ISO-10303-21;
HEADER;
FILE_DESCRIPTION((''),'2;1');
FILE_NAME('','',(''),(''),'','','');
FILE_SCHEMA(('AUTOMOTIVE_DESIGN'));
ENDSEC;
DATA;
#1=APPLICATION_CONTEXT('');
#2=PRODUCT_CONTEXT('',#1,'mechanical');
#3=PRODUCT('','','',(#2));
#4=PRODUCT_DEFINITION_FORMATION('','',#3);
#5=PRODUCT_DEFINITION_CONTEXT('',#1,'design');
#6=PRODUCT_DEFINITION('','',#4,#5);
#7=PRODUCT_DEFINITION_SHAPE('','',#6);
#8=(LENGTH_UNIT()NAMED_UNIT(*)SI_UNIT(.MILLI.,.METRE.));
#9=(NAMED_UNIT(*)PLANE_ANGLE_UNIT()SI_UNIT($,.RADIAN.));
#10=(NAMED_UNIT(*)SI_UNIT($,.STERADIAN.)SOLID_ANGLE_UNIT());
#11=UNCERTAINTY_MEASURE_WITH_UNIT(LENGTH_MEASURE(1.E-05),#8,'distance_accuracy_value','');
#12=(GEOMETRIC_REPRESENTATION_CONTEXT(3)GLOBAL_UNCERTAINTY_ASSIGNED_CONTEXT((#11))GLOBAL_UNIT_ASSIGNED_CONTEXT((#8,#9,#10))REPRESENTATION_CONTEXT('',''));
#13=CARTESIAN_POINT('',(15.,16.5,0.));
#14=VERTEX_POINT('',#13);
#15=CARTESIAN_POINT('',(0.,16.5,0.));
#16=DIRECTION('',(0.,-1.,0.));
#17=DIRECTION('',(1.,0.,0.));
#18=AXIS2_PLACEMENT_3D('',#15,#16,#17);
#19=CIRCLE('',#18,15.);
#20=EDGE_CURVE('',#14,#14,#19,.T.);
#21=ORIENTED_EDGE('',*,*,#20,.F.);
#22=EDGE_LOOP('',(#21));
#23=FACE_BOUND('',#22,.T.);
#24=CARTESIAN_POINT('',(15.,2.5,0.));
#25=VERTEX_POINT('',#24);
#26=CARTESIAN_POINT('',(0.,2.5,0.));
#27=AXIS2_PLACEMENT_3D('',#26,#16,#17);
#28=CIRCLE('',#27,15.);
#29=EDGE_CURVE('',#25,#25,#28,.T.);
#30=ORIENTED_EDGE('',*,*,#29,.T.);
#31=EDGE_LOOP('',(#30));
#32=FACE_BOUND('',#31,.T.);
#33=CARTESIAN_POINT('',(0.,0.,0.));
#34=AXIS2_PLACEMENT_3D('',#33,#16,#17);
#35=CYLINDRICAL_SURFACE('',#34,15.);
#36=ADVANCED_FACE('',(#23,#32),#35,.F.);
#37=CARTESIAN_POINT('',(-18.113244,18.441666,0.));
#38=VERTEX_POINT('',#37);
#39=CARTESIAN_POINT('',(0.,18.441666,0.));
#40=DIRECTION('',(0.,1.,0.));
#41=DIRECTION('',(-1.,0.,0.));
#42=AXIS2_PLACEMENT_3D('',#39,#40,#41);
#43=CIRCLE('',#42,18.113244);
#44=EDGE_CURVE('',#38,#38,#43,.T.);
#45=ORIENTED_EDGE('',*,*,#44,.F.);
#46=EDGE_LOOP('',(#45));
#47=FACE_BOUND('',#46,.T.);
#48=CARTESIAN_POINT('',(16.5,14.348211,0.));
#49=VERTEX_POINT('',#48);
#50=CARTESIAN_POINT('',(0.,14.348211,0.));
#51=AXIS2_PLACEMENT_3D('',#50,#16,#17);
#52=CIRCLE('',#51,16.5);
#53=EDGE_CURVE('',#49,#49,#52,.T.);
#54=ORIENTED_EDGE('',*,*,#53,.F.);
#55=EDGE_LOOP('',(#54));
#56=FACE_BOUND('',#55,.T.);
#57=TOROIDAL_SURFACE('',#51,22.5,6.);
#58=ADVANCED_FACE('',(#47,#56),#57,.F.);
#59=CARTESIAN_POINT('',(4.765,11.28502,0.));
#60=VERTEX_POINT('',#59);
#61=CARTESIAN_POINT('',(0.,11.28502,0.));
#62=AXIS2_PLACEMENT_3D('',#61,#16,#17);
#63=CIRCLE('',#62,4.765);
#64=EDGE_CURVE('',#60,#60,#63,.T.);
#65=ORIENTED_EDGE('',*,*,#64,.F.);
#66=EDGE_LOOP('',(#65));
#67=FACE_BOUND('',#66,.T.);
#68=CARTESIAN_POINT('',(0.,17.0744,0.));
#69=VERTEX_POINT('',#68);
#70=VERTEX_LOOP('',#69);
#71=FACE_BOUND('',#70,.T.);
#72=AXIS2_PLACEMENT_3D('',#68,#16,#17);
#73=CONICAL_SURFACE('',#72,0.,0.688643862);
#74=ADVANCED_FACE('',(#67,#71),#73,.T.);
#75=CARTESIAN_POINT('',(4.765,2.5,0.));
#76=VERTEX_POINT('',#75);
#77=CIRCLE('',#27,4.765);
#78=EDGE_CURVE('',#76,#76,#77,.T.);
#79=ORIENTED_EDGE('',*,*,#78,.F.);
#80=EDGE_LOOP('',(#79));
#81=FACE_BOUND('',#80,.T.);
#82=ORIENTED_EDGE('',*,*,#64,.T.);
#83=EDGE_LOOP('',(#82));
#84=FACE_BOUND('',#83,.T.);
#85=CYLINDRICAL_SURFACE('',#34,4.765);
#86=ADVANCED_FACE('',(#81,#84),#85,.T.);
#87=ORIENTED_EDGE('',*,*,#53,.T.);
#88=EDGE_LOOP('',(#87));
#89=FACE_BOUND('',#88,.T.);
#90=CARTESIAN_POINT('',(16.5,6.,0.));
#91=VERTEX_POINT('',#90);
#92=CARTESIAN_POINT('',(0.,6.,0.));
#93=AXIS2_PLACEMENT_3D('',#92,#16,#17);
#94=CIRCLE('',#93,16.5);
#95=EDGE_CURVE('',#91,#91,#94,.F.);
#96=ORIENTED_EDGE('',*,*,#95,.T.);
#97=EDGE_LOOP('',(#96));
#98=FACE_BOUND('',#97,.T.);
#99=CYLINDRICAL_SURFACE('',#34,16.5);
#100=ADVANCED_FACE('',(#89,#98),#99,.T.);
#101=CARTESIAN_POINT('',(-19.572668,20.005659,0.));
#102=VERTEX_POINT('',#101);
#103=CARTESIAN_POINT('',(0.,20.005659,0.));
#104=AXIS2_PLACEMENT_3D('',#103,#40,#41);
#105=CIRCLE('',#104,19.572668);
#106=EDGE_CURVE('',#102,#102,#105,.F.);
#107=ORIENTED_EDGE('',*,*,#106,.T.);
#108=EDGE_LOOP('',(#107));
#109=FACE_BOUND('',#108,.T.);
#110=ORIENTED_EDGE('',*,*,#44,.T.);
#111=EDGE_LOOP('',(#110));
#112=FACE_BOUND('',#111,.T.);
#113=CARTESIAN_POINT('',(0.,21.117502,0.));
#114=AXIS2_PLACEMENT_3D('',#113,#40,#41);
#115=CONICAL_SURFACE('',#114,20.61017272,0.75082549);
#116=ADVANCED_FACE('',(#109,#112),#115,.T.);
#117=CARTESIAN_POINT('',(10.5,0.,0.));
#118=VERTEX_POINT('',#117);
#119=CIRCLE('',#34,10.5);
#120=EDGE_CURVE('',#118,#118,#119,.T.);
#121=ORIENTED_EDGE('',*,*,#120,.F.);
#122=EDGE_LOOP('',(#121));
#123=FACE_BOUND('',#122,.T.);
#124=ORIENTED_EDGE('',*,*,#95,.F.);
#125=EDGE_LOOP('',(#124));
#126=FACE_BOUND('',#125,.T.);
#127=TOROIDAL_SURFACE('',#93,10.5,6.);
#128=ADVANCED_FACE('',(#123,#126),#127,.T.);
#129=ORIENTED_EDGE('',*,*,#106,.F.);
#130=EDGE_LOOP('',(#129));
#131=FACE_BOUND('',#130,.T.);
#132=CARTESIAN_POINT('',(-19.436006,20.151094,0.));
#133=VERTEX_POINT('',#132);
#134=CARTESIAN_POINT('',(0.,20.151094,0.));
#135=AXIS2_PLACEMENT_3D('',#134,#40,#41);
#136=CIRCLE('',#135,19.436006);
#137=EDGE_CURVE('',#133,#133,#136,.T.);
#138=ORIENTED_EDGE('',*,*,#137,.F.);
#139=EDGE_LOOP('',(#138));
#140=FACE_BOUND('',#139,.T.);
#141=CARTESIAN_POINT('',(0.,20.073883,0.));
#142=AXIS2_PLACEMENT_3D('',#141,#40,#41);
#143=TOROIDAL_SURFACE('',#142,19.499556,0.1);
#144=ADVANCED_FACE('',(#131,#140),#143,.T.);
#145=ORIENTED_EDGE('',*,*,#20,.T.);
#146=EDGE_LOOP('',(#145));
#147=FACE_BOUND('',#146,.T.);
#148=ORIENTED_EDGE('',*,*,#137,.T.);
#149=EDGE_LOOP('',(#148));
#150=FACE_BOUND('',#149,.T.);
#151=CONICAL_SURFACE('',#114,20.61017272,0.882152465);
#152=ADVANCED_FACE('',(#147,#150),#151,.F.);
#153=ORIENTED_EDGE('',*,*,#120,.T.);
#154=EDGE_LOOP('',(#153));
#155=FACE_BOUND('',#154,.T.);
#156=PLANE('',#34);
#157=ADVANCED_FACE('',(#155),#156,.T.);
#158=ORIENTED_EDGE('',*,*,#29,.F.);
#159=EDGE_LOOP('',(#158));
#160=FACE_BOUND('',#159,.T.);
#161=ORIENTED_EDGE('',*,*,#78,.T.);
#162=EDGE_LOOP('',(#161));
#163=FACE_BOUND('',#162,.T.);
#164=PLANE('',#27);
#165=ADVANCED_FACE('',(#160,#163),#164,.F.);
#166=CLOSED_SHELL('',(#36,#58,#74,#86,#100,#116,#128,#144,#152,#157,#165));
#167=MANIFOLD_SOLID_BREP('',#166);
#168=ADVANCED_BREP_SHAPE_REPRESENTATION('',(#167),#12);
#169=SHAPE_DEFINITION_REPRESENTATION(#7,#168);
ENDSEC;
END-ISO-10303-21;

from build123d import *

# Parameters (mm, degrees)
FILLET1_R = 6
FILLET2_R = 0.1


with BuildPart() as part:
    # Sketch1 → Revolve1 (revolve)
    with BuildSketch(Plane.XY):
        Polygon((0, 17.074400117), (0, 0), (16.5, 0), (16.5, 16.712830718), (20.61017272, 21.117501694), (15, 16.5), (15, 2.5), (4.765, 2.5), (4.765, 11.285019889), align=None)
    revolve(axis=Axis((0, 0, 0), (0, 1, 0)))

    # Fillet1
    fillet1_edges = [part.edges().sort_by_distance(p)[0] for p in [
        (-16.5, 16.712830718, 0),
        (-16.5, 0, 0),
    ]]
    fillet(fillet1_edges, radius=FILLET1_R)

    # Fillet2
    fillet2_edges = [part.edges().sort_by_distance(p)[0] for p in [
        (-20.61017272, 21.117501694, 0),
    ]]
    fillet(fillet2_edges, radius=FILLET2_R)


solid = part.part
